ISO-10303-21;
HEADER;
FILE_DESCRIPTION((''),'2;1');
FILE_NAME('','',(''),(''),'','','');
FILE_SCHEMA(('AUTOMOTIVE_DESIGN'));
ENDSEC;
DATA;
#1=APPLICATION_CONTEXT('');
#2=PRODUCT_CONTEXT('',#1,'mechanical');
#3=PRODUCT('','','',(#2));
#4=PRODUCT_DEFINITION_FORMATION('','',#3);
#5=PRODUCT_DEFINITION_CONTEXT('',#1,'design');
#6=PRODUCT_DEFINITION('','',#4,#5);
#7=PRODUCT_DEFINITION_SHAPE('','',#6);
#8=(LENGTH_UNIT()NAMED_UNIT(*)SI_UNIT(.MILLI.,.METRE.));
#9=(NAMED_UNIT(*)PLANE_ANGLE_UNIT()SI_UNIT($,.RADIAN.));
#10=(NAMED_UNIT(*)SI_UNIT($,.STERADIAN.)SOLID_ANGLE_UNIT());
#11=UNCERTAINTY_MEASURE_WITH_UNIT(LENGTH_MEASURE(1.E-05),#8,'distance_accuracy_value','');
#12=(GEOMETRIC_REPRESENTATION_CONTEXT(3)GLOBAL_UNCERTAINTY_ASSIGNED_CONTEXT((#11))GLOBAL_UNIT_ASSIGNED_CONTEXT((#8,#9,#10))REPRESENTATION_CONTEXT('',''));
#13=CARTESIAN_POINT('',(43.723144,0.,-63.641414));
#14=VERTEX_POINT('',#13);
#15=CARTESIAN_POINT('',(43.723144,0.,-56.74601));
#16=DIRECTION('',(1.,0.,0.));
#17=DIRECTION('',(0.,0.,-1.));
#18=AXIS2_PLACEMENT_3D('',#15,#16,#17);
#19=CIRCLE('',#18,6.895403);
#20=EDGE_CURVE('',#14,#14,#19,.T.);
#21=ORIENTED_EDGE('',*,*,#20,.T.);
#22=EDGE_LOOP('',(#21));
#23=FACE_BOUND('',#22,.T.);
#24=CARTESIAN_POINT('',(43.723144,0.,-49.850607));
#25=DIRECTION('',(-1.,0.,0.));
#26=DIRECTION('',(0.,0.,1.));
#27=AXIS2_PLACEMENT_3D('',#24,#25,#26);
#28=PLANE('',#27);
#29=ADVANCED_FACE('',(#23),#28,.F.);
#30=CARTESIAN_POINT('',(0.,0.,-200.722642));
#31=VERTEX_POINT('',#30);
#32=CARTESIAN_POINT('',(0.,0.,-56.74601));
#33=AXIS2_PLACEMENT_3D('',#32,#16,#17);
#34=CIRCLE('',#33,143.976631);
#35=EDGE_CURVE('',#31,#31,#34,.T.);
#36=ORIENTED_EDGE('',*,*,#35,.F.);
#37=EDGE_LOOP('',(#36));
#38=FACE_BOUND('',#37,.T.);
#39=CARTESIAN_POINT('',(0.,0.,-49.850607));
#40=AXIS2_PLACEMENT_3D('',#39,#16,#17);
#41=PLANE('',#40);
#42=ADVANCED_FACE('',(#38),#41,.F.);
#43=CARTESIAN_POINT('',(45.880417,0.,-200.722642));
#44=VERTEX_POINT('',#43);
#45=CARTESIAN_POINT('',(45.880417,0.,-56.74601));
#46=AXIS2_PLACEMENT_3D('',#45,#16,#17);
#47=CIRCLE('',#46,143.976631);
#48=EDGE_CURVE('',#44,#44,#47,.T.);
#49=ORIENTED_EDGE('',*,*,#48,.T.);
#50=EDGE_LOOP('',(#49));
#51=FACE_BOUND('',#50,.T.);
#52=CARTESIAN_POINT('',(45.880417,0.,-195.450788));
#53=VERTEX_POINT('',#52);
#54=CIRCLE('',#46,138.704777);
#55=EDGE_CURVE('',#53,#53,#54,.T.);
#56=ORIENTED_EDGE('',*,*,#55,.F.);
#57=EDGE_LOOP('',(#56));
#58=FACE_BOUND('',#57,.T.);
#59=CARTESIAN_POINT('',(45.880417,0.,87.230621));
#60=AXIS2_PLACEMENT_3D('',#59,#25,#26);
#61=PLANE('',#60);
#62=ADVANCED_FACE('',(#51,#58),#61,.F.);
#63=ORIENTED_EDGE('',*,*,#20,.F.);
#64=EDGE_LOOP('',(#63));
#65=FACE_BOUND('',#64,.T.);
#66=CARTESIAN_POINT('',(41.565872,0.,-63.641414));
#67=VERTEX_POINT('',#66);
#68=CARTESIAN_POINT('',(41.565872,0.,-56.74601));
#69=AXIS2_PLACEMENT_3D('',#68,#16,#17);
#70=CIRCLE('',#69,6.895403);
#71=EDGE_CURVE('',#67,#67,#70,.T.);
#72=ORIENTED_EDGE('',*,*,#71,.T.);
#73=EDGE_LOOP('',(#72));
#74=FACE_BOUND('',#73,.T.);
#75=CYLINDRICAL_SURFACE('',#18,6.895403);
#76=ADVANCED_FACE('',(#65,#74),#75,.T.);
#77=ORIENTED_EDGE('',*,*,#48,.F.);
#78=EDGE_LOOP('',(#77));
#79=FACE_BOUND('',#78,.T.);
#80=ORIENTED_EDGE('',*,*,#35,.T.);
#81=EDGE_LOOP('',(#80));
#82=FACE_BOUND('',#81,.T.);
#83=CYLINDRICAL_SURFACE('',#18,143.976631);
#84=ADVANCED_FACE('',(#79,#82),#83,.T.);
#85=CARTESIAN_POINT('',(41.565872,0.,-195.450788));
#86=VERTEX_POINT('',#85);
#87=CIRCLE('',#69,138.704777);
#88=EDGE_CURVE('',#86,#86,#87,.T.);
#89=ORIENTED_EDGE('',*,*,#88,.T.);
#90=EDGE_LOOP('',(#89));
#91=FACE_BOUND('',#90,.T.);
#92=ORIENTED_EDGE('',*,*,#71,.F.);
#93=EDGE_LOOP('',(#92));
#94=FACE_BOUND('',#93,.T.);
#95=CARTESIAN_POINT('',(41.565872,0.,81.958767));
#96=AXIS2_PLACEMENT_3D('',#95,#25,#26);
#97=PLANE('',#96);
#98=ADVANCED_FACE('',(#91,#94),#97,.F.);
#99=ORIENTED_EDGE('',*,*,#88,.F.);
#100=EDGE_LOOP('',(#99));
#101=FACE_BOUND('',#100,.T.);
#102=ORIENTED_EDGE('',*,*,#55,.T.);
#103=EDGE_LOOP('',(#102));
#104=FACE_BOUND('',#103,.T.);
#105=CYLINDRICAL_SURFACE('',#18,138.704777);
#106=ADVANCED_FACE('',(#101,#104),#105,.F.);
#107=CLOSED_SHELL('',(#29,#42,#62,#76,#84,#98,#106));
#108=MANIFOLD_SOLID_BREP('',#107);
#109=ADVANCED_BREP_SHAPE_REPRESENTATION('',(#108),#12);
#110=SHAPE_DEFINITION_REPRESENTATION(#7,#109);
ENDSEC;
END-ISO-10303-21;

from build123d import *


with BuildPart() as part:
    # Croquis1 → Revolución1 (revolve)
    with BuildSketch(Plane(origin=(0, 0, 0), x_dir=(1, 0, 0), z_dir=(0, 1, 0))):
        Polygon((0, 49.85060685), (0, -87.230621082), (45.880416528, -87.230621082), (45.880416528, -81.958767162), (41.565871711, -81.958767162), (41.565871711, 49.85060685), (43.72314412, 49.85060685), (43.72314412, 56.746010246), (0, 56.746010246), align=None)
    revolve(axis=Axis((43.72314412, 0, -56.746010246), (-1, 0, 0)))


solid = part.part
